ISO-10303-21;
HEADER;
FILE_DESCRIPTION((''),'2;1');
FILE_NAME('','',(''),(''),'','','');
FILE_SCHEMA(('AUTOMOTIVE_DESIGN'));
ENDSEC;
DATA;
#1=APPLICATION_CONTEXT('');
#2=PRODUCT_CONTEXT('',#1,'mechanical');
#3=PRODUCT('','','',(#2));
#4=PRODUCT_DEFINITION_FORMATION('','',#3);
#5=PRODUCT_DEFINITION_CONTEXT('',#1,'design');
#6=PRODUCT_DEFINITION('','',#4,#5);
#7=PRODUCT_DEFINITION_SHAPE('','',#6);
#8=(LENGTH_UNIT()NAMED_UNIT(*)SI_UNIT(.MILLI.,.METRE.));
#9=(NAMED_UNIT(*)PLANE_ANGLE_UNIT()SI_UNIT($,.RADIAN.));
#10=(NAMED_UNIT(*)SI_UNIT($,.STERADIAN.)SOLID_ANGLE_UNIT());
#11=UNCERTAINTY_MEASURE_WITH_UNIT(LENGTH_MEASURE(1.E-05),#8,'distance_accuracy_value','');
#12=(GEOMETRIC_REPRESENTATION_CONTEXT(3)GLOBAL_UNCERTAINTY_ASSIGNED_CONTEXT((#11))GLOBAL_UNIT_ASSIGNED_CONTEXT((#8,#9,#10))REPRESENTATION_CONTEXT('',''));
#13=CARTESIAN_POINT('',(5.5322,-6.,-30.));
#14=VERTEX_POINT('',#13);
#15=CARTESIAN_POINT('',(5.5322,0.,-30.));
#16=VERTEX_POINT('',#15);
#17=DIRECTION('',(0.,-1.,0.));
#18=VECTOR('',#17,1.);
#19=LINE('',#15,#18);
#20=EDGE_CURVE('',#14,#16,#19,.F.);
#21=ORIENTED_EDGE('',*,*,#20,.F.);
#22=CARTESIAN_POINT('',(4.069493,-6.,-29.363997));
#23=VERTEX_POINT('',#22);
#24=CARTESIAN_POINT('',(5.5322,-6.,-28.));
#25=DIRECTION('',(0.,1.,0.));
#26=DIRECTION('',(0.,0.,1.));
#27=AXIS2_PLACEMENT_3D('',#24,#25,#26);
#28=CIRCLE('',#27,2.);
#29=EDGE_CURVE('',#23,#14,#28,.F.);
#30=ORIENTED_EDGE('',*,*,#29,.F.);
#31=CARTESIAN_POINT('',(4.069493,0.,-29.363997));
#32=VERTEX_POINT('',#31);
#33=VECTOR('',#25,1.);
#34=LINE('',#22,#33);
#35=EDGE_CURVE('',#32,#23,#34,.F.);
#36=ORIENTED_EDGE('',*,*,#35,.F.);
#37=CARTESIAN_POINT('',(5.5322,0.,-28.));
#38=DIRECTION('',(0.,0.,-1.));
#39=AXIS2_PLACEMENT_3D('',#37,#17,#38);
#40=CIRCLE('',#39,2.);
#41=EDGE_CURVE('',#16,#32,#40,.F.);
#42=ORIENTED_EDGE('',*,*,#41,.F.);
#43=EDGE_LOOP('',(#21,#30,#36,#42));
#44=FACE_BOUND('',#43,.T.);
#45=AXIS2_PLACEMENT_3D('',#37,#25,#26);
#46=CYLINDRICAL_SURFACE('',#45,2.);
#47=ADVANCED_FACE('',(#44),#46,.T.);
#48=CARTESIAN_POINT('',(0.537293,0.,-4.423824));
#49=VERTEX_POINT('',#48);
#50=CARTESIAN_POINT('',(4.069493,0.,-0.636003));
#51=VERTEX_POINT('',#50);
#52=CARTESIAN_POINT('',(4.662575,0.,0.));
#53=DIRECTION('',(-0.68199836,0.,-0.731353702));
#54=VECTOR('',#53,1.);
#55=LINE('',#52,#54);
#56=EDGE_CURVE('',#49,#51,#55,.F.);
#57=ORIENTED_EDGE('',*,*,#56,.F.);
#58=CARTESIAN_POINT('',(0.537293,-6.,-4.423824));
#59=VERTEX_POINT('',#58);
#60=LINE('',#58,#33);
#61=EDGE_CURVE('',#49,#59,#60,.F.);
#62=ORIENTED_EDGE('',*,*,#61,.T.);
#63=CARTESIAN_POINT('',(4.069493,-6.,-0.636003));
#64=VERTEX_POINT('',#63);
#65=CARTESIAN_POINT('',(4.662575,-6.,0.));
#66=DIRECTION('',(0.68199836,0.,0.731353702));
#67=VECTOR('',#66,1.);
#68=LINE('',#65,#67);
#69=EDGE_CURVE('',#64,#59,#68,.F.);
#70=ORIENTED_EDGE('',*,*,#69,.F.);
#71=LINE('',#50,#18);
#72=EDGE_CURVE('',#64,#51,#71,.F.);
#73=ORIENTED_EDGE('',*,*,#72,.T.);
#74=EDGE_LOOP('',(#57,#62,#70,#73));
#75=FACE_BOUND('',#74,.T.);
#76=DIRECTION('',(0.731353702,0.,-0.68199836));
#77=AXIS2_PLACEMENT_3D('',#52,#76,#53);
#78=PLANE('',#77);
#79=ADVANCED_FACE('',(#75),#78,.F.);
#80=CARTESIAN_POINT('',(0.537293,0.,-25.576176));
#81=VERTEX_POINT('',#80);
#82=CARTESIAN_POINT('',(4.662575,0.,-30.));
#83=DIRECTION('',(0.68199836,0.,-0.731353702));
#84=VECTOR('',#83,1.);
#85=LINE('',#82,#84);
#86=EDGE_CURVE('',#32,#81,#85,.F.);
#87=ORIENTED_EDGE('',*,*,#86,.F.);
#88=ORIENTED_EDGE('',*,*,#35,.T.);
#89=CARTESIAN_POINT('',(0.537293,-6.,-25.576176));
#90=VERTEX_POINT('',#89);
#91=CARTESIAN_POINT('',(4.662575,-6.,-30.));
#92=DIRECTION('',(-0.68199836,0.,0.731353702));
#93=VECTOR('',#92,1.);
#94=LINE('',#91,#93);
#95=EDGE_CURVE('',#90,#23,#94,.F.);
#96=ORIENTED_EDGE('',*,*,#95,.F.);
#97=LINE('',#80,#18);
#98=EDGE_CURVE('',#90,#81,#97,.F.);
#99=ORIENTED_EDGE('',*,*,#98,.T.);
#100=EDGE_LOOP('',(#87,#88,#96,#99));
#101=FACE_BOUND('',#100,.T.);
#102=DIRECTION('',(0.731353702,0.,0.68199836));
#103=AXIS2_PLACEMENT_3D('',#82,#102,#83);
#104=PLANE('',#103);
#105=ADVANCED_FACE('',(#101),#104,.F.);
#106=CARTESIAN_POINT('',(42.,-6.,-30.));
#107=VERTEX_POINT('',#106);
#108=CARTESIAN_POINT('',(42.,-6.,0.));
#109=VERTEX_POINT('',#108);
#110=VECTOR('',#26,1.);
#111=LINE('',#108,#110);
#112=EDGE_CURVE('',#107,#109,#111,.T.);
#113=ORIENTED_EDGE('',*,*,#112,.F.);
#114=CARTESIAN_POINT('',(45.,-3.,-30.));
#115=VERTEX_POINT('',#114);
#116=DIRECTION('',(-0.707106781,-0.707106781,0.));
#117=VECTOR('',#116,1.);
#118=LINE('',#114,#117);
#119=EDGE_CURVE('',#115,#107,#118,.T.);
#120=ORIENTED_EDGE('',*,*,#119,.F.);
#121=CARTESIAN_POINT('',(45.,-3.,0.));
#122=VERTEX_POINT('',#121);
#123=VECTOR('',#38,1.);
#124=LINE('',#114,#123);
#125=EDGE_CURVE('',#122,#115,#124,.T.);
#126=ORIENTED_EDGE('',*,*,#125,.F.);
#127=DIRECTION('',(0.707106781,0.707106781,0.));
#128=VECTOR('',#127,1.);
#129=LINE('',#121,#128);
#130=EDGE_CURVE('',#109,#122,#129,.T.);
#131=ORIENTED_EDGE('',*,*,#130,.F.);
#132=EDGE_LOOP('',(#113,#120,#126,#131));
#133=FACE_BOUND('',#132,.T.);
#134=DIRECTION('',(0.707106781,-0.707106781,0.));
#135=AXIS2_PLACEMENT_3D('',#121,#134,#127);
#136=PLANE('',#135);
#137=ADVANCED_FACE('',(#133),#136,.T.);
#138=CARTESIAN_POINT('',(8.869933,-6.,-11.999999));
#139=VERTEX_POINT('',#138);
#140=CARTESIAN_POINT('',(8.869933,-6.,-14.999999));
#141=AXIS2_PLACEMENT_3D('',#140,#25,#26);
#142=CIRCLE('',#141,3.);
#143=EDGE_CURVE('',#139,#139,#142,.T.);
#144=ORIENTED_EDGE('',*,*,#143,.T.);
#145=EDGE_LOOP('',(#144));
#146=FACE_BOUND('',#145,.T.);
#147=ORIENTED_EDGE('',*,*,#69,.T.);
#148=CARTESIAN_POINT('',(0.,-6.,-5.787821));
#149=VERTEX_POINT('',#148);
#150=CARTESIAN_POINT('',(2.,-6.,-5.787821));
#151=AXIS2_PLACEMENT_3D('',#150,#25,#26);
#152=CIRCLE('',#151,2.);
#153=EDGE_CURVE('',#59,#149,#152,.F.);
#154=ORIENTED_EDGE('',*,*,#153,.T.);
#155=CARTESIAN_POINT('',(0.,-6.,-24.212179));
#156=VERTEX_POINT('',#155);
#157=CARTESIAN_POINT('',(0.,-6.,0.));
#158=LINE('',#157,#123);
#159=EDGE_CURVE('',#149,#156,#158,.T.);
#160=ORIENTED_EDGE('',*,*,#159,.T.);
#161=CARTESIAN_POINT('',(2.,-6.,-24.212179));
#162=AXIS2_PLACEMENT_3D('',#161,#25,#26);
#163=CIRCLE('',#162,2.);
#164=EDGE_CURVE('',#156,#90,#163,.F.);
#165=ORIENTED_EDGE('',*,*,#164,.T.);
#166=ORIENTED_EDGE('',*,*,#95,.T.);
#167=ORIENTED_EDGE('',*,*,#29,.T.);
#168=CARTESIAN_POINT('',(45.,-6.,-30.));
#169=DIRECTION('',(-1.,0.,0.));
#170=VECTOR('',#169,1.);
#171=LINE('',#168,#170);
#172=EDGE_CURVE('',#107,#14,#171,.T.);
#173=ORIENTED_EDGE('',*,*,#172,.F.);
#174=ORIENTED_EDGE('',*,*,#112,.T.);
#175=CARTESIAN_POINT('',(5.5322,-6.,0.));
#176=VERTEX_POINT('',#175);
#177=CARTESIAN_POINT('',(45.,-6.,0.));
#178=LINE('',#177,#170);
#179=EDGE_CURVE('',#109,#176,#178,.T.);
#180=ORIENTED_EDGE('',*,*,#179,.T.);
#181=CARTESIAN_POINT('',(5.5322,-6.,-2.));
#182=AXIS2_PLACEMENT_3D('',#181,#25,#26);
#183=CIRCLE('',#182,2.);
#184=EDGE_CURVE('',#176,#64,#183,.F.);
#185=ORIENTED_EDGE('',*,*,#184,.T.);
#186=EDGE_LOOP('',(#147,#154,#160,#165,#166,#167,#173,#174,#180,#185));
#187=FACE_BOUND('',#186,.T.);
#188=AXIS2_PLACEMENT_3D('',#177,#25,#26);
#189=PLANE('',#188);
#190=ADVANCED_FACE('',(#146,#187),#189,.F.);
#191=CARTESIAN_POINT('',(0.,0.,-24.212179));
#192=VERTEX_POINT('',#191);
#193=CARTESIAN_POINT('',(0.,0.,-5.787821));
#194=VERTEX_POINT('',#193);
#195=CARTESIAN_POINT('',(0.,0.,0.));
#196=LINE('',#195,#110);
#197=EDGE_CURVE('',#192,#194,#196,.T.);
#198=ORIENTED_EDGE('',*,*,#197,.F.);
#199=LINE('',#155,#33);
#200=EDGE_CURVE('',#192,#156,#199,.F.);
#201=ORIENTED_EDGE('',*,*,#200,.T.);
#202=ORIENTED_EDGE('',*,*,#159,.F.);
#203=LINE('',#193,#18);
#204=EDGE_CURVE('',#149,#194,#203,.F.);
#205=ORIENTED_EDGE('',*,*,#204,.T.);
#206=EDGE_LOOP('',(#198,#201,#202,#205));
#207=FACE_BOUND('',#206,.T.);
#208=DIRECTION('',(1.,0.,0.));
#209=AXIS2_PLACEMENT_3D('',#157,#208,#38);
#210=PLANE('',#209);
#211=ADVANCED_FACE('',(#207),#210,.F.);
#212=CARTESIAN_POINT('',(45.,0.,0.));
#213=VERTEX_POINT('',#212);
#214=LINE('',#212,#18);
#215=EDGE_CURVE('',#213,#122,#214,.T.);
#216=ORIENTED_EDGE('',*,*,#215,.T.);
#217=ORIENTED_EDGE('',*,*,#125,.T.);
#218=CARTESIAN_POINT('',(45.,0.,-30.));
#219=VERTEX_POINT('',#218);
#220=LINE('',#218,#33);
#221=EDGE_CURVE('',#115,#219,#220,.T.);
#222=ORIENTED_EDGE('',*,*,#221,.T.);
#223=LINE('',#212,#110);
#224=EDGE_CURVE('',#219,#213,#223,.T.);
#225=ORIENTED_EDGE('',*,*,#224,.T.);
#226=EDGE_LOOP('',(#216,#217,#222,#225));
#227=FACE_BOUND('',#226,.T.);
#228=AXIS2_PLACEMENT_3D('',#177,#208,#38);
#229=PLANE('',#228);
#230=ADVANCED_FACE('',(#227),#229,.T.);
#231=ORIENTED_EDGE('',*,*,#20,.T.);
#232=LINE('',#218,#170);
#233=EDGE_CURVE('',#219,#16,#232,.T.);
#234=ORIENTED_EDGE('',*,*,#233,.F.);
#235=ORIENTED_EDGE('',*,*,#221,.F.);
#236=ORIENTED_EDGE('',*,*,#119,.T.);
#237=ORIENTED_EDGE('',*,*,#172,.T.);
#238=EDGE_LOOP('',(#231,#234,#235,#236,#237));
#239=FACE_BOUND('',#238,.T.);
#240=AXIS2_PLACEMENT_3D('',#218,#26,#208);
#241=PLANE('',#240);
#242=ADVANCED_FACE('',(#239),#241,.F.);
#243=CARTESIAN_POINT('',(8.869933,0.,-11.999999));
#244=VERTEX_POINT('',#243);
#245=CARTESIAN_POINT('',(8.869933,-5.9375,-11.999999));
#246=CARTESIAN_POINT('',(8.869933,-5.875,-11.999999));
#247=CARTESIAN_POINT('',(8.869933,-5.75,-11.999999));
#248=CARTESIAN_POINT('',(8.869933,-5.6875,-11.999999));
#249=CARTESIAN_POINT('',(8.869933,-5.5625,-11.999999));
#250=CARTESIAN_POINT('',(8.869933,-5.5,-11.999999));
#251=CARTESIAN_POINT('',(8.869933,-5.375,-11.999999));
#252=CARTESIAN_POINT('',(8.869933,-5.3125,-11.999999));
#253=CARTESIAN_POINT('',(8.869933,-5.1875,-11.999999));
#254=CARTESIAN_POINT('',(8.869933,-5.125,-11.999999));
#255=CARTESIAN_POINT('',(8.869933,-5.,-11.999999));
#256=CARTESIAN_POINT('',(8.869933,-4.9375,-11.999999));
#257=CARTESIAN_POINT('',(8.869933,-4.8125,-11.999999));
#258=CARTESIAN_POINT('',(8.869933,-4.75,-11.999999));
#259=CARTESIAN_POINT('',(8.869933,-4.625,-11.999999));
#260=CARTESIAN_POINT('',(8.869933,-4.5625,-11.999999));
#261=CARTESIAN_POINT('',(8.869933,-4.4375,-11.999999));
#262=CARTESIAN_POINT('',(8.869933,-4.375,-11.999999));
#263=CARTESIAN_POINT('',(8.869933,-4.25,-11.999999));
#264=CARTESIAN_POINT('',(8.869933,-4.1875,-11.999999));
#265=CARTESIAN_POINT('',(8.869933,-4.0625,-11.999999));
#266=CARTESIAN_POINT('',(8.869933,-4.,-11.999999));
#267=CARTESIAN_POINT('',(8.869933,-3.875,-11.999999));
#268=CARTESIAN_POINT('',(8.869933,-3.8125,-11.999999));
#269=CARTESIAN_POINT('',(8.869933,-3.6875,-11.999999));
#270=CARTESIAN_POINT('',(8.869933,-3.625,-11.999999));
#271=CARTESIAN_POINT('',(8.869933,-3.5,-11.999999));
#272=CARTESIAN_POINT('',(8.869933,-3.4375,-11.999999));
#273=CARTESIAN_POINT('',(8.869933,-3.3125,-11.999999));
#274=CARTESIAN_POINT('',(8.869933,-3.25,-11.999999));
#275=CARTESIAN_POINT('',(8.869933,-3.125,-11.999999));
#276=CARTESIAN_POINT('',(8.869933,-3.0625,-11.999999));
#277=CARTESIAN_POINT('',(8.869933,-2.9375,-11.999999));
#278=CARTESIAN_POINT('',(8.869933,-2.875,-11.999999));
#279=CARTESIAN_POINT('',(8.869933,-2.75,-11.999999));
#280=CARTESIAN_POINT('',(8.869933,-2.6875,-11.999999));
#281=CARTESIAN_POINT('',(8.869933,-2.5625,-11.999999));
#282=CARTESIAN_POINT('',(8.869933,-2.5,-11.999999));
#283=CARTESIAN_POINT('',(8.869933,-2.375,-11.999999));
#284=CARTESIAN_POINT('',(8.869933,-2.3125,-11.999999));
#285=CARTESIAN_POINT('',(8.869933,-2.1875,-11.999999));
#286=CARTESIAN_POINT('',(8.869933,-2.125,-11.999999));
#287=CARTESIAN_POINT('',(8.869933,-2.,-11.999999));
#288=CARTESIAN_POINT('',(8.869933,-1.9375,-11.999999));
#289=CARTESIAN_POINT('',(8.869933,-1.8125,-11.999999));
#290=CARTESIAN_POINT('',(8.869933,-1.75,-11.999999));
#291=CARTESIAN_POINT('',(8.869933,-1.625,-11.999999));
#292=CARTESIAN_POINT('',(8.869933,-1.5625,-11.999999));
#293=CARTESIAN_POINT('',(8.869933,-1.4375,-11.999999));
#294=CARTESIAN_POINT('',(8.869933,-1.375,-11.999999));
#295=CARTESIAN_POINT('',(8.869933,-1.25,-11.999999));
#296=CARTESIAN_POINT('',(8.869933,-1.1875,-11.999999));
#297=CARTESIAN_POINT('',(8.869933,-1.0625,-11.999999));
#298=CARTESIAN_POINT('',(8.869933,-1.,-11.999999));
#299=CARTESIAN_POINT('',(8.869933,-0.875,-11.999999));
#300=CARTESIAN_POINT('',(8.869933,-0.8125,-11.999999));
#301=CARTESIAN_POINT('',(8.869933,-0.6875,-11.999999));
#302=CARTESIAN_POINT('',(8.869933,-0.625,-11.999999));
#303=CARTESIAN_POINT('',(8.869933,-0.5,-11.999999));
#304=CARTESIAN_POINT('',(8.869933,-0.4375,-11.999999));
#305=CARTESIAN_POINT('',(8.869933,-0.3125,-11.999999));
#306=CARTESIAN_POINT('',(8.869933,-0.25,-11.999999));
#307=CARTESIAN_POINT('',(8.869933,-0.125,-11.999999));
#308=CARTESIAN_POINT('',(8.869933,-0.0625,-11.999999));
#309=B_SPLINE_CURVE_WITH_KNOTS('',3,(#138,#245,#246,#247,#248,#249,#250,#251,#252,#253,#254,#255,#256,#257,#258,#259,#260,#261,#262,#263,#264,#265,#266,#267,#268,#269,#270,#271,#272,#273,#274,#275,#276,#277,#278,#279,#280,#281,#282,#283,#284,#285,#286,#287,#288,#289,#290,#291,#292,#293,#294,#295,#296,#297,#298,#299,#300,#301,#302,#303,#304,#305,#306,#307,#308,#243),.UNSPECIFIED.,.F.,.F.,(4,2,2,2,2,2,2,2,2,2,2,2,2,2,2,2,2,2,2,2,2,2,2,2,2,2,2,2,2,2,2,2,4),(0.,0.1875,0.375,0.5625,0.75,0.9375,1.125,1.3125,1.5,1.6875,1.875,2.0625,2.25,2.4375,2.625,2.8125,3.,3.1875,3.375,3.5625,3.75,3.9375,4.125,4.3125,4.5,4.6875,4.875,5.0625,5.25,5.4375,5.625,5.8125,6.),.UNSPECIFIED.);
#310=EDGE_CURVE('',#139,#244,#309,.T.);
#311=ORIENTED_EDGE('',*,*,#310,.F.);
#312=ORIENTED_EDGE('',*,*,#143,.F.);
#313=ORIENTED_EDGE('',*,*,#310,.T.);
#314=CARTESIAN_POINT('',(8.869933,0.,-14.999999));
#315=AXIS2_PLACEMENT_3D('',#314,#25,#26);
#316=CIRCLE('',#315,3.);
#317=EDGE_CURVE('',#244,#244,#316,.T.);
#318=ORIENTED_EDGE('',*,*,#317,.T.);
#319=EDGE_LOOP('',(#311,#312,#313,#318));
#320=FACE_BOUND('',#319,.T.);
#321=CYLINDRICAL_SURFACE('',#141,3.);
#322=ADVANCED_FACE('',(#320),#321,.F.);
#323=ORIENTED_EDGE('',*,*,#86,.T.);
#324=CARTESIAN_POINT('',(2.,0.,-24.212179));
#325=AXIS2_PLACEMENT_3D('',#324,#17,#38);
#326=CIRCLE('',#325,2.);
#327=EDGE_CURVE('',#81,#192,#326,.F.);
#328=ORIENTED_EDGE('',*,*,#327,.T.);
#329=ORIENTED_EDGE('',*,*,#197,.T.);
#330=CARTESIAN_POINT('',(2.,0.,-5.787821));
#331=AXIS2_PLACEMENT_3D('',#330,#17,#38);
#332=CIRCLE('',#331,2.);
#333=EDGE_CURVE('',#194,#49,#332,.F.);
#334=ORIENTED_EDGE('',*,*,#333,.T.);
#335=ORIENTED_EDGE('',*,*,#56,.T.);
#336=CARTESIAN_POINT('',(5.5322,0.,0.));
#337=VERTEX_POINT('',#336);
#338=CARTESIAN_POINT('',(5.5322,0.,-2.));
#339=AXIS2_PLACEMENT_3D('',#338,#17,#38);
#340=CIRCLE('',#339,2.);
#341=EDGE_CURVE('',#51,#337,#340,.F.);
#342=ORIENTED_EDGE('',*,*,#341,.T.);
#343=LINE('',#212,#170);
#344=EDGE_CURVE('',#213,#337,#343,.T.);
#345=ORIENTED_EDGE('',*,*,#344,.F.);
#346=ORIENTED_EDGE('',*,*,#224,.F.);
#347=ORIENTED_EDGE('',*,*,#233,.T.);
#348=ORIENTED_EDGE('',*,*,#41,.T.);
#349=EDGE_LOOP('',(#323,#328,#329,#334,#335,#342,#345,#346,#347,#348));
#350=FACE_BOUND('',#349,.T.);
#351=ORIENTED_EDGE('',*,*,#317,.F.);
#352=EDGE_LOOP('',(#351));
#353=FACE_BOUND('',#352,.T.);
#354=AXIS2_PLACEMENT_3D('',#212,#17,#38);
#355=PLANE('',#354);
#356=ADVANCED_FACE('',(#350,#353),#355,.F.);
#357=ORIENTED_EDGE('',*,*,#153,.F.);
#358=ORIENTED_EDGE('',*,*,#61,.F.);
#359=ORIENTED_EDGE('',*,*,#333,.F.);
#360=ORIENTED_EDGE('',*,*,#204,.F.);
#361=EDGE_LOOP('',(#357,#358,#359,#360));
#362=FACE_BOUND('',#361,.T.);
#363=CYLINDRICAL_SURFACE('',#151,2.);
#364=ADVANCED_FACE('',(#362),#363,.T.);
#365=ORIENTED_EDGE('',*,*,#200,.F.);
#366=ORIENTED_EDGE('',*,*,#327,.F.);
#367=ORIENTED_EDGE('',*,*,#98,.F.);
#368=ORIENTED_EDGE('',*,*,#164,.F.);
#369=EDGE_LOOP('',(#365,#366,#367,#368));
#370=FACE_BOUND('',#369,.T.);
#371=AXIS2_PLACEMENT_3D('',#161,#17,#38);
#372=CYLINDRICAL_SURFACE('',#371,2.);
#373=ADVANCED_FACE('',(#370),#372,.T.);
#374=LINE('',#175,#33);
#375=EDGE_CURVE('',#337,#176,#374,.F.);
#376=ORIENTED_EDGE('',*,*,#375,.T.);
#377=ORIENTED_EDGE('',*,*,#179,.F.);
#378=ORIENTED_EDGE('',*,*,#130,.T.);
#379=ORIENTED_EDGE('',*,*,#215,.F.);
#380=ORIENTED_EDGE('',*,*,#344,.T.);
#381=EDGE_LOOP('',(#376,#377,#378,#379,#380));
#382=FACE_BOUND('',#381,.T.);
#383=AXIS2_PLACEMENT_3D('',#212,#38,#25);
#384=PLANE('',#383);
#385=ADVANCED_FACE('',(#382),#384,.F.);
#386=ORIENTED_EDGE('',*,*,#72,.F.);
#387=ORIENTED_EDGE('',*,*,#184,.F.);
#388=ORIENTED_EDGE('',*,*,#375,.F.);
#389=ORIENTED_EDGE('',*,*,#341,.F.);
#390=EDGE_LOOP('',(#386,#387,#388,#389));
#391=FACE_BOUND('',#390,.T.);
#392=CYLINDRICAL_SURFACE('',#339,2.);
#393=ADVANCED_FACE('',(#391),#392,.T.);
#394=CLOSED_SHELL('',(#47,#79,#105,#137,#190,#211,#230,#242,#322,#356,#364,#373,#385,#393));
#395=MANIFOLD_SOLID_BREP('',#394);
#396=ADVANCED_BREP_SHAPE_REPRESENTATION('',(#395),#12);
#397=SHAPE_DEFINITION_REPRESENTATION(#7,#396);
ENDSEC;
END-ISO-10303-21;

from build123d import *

# Parameters (mm, degrees)
SKETCH_1_W          = 30
SKETCH_1_H          = 6
EXTRUDE_1_DEPTH     = 45
CHAMFER_1_SIZE      = 3
SKETCH_2_R          = 3
CUT_EXTRUDE_1_DEPTH = 55.415071442
CHAMFER_2_SIZE      = 5
CHAMFER_2_SIZE2     = 4.662575431
FILLET_1_R          = 2


with BuildPart() as part:
    # Эскиз1 → Вытянуть1 (new body)
    with BuildSketch(Plane(origin=(0, 0, 0), x_dir=(0, 0, -1), z_dir=(1, 0, 0))):
        with Locations((15, -3)):
            Rectangle(SKETCH_1_W, SKETCH_1_H)
    extrude(amount=EXTRUDE_1_DEPTH)

    # Фаска1
    chamfer_1_edges = [part.edges().sort_by_distance(p)[0] for p in [
        (45, -6, -15),
    ]]
    chamfer(chamfer_1_edges, length=CHAMFER_1_SIZE)

    # Эскиз2 → Вырез-Вытянуть1 (cut, through all)
    with BuildSketch(Plane(origin=(0, 0, 0), x_dir=(-1, 0, 0), z_dir=(0, 1, 0))):
        with Locations(Location((-8.86993337, -14.999999492, 0), (0, 0, 90))):
            Circle(SKETCH_2_R)
    extrude(amount=-CUT_EXTRUDE_1_DEPTH, mode=Mode.SUBTRACT)

    # Фаска2
    chamfer_2_edges = [part.edges().sort_by_distance(p)[0] for p in [
        (0, -3, -30),
        (0, -3, 0),
    ]]
    chamfer_2_side = [part.faces().sort_by_distance(p)[0] for p in [
        (0, -3, -15),
    ]]
    chamfer(chamfer_2_edges, length=CHAMFER_2_SIZE, length2=CHAMFER_2_SIZE2, reference=chamfer_2_side[0])

    # Скругление1
    fillet_1_edges = [part.edges().sort_by_distance(p)[0] for p in [
        (4.662575431, -3, -30),
        (0, -3, -5),
        (0, -3, -25),
        (4.662575431, -3, 0),
    ]]
    fillet(fillet_1_edges, radius=FILLET_1_R)


solid = part.part
